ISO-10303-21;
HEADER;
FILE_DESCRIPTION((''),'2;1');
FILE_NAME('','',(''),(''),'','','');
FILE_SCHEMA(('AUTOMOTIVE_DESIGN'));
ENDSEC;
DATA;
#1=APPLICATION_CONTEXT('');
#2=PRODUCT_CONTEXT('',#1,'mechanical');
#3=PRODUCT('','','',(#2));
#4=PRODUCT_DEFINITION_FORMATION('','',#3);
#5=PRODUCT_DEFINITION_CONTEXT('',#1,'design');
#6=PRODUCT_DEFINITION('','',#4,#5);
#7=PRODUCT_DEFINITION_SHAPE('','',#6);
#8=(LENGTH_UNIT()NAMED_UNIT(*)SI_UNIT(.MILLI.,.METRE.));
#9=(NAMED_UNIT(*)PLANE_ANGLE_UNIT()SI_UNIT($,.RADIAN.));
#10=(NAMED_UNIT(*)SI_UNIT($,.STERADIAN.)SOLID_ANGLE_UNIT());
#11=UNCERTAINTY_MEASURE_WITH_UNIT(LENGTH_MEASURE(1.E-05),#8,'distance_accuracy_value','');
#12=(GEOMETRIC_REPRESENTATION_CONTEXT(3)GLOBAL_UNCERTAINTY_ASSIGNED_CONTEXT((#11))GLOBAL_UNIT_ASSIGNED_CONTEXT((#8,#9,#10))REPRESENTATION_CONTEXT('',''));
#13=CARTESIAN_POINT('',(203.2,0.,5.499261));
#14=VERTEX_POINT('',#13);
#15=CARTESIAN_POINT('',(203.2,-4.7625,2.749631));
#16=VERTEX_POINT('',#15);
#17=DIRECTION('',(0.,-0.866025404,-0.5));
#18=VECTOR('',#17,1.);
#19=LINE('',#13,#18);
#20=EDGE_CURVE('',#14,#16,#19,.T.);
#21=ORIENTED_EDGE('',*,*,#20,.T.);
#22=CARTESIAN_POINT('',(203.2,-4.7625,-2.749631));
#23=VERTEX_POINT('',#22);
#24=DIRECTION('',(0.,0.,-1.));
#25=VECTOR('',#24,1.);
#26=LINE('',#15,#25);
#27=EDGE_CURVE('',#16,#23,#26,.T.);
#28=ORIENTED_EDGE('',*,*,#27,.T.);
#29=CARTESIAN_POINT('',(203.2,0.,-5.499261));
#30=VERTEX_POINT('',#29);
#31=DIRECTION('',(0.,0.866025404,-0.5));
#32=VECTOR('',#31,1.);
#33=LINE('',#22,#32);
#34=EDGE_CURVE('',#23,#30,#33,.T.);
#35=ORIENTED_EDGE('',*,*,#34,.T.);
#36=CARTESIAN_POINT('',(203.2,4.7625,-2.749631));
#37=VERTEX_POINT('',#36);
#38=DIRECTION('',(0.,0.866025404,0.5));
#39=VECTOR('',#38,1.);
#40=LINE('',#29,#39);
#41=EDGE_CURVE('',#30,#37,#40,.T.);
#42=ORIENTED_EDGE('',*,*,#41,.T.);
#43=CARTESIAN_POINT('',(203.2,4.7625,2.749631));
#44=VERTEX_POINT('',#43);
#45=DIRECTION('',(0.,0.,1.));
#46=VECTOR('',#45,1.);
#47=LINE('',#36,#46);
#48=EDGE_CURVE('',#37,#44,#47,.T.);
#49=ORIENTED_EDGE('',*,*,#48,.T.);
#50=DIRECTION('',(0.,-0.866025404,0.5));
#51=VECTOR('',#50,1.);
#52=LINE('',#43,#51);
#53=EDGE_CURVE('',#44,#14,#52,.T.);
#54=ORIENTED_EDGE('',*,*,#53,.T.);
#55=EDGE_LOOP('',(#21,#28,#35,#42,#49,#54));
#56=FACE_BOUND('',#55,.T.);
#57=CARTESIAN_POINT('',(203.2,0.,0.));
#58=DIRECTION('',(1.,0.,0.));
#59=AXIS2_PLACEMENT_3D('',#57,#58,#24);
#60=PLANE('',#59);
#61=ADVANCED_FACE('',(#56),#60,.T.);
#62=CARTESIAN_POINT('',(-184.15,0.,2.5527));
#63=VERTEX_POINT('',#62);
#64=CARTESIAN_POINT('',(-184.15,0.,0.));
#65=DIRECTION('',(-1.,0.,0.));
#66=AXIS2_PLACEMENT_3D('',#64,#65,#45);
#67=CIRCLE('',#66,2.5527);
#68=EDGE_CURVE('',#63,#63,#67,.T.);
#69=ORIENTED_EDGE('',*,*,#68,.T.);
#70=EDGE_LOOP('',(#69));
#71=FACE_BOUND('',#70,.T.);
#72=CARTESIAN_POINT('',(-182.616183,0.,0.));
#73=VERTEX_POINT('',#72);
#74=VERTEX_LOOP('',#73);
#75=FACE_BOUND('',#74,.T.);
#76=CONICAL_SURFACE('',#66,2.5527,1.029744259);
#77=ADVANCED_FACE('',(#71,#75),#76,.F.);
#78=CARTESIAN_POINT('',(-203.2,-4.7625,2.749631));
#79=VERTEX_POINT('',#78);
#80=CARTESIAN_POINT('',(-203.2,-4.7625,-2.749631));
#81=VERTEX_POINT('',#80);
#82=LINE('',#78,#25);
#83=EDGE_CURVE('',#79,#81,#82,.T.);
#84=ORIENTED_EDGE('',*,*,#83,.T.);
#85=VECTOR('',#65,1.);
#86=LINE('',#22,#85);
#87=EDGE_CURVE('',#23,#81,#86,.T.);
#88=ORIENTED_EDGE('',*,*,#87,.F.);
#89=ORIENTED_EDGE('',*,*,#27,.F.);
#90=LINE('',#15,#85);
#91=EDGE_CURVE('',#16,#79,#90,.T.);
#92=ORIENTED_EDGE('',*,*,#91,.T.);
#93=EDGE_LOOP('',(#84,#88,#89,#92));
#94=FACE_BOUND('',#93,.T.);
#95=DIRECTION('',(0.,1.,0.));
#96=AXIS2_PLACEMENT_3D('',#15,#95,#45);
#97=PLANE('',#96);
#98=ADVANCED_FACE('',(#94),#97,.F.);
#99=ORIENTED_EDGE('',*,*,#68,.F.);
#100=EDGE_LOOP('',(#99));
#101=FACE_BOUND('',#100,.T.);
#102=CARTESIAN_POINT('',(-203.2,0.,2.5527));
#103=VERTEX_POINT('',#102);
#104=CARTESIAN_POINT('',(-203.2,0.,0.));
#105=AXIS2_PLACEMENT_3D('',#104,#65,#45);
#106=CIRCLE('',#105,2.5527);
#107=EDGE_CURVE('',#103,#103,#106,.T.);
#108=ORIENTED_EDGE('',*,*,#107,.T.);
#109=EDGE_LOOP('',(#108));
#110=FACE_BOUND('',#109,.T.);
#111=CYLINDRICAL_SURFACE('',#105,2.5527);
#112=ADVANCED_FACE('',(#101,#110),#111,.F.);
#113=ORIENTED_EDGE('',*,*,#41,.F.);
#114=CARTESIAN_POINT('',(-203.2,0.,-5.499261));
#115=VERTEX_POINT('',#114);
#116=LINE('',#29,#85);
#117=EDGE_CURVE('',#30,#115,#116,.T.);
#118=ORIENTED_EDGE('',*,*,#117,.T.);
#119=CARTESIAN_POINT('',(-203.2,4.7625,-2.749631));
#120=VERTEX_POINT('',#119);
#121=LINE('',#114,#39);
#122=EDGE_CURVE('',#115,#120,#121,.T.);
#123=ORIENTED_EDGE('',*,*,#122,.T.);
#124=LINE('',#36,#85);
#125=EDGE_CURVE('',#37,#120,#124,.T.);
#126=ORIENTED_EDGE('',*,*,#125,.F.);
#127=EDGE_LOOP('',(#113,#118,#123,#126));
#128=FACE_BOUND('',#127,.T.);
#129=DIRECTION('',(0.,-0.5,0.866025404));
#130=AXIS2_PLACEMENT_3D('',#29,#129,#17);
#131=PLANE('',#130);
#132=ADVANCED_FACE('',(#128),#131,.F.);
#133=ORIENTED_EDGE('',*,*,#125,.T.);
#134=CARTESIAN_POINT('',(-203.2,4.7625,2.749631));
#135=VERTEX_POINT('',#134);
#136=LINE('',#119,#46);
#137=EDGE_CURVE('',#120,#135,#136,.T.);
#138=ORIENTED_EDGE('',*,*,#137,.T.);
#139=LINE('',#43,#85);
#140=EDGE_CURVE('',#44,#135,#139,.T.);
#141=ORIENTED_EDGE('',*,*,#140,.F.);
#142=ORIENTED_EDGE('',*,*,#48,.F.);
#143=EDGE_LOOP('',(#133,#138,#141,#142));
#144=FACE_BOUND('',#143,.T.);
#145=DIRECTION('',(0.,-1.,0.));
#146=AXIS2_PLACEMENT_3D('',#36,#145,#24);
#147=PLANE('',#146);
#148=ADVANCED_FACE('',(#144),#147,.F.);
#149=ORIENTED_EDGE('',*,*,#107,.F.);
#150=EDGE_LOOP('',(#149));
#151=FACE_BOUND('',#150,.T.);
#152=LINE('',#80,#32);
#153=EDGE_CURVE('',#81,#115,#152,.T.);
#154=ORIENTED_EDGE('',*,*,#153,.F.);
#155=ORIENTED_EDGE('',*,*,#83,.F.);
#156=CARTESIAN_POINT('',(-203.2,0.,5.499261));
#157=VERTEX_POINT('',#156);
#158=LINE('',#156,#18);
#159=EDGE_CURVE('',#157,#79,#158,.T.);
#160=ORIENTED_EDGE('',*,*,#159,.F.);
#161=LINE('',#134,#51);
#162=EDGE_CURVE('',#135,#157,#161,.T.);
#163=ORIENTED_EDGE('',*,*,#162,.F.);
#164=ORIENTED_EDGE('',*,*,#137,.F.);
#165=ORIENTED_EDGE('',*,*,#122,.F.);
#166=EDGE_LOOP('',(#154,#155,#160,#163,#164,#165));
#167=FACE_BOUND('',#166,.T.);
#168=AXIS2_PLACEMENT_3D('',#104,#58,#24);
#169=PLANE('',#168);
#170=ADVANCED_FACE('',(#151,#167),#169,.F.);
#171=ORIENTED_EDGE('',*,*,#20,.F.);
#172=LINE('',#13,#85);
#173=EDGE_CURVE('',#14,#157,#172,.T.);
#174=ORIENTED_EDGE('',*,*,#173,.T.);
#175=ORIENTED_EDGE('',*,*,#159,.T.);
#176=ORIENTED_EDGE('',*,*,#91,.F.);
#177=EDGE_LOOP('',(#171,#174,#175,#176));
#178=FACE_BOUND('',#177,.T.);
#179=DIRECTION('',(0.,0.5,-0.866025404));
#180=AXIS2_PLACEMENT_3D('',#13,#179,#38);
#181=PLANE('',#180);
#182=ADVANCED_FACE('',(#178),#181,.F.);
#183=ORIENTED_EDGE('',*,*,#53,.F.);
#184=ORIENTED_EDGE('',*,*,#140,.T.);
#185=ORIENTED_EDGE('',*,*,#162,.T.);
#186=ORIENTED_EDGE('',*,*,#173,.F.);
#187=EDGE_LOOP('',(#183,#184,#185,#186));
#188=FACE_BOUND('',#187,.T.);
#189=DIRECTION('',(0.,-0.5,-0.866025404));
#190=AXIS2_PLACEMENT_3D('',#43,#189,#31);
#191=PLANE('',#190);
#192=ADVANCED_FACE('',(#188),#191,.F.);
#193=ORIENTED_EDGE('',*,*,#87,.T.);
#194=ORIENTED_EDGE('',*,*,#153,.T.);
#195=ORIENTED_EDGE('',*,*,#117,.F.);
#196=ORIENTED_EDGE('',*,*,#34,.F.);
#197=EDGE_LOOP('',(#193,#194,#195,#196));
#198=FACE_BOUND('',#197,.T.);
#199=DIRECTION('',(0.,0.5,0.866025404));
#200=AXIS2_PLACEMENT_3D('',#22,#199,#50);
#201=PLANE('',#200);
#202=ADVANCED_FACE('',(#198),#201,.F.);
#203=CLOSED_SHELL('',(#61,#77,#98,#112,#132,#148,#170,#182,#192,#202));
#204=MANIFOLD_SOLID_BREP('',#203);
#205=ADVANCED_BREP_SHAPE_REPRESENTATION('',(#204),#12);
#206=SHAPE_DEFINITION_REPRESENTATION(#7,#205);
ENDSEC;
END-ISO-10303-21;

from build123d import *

# Parameters (mm, degrees)
BOSS_EXTRUDE1_DEPTH         = 203.2
F_1_4_20_TAPPED_HOLE1_D     = 5.1054
F_1_4_20_TAPPED_HOLE1_DEPTH = 19.05
F_1_4_20_TAPPED_HOLE1_TIP   = 1.533816902


with BuildPart() as part:
    # Sketch1 → Boss-Extrude1 (new, symmetric)
    with BuildSketch(Plane(origin=(0, 0, 0), x_dir=(0, 0, -1), z_dir=(1, 0, 0))):
        Polygon((5.499261314, 0), (2.749630657, 4.7625), (-2.749630657, 4.7625), (-5.499261314, 0), (-2.749630657, -4.7625), (2.749630657, -4.7625), align=None)
    extrude(amount=BOSS_EXTRUDE1_DEPTH, both=True)

    # 1/4-20 Tapped Hole1
    with Locations(Plane.ZY.offset(203.2)):
        with Locations((0, 0)):
            Hole(F_1_4_20_TAPPED_HOLE1_D / 2, depth=F_1_4_20_TAPPED_HOLE1_DEPTH)
            with Locations((0, 0, -(F_1_4_20_TAPPED_HOLE1_DEPTH + F_1_4_20_TAPPED_HOLE1_TIP / 2))):  # 118° drill point
                Cone(0, F_1_4_20_TAPPED_HOLE1_D / 2, F_1_4_20_TAPPED_HOLE1_TIP, mode=Mode.SUBTRACT)


solid = part.part
